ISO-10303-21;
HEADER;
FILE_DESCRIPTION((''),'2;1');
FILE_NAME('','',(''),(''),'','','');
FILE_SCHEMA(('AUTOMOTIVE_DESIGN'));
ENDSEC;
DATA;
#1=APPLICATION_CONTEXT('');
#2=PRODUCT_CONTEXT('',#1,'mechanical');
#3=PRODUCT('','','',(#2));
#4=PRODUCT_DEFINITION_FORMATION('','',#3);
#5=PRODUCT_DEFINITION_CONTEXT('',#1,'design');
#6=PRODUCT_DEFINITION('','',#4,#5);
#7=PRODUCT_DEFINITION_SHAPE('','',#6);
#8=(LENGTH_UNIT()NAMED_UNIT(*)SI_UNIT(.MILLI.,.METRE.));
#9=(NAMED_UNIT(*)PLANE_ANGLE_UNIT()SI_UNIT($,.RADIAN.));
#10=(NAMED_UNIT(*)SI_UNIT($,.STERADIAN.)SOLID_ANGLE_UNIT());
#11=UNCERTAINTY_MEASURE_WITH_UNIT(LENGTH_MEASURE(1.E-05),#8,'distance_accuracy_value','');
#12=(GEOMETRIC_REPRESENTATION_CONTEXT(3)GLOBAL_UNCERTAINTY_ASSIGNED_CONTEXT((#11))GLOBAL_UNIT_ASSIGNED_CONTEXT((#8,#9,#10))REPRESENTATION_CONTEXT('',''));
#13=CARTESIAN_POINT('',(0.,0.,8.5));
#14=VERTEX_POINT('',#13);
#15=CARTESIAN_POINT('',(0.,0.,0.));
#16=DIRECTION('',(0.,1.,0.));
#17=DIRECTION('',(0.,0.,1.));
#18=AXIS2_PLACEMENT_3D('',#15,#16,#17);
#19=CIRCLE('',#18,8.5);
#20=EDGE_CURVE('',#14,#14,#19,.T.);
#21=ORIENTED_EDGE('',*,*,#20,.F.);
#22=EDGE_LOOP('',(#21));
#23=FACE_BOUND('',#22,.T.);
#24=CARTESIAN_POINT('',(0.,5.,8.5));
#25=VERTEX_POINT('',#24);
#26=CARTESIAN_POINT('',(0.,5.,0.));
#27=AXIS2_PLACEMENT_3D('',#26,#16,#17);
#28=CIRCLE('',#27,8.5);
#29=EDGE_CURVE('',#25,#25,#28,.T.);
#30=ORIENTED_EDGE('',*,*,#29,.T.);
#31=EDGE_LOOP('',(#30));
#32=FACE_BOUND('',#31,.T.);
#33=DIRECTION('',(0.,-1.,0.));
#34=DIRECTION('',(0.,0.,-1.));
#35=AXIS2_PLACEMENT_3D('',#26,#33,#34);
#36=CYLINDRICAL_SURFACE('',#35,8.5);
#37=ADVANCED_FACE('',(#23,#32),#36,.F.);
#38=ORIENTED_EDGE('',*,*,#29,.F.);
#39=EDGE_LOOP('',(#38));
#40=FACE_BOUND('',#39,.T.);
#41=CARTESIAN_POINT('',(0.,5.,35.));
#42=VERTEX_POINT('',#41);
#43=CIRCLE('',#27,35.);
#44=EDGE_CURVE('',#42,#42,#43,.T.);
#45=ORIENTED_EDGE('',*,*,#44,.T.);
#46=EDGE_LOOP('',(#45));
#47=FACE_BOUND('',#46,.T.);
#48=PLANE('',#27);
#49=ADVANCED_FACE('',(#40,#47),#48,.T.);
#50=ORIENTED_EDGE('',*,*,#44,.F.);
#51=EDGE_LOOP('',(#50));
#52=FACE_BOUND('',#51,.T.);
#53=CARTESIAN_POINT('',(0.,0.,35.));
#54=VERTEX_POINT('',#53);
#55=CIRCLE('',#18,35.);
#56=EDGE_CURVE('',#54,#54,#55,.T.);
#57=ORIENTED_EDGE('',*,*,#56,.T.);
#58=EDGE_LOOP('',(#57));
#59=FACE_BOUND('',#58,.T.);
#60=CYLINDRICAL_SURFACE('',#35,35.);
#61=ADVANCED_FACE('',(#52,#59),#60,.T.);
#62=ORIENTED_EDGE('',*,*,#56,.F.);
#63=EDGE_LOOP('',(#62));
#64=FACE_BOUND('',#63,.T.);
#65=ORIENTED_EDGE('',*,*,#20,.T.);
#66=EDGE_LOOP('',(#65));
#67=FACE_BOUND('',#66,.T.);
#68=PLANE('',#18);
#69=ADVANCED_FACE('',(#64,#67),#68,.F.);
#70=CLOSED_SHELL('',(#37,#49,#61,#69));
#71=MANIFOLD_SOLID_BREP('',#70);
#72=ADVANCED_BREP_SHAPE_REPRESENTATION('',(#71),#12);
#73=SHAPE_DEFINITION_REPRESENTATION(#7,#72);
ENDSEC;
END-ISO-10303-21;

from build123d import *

# Parameters (mm, degrees)
SZKIC1_R                    = 35
SZKIC1_R_2                  = 8.5
DODANIE_WYCI_GNI_CIE1_DEPTH = 5


with BuildPart() as part:
    # Szkic1 → Dodanie-wyciągnięcie1 (new body)
    with BuildSketch(Plane(origin=(0, 0, 0), x_dir=(1, 0, 0), z_dir=(0, 1, 0))):
        with Locations(Location((0, 0, 0), (0, 0, 270))):
            Circle(SZKIC1_R)
        with Locations(Location((0, 0, 0), (0, 0, 270))):
            Circle(SZKIC1_R_2, mode=Mode.SUBTRACT)
    extrude(amount=DODANIE_WYCI_GNI_CIE1_DEPTH)


solid = part.part
